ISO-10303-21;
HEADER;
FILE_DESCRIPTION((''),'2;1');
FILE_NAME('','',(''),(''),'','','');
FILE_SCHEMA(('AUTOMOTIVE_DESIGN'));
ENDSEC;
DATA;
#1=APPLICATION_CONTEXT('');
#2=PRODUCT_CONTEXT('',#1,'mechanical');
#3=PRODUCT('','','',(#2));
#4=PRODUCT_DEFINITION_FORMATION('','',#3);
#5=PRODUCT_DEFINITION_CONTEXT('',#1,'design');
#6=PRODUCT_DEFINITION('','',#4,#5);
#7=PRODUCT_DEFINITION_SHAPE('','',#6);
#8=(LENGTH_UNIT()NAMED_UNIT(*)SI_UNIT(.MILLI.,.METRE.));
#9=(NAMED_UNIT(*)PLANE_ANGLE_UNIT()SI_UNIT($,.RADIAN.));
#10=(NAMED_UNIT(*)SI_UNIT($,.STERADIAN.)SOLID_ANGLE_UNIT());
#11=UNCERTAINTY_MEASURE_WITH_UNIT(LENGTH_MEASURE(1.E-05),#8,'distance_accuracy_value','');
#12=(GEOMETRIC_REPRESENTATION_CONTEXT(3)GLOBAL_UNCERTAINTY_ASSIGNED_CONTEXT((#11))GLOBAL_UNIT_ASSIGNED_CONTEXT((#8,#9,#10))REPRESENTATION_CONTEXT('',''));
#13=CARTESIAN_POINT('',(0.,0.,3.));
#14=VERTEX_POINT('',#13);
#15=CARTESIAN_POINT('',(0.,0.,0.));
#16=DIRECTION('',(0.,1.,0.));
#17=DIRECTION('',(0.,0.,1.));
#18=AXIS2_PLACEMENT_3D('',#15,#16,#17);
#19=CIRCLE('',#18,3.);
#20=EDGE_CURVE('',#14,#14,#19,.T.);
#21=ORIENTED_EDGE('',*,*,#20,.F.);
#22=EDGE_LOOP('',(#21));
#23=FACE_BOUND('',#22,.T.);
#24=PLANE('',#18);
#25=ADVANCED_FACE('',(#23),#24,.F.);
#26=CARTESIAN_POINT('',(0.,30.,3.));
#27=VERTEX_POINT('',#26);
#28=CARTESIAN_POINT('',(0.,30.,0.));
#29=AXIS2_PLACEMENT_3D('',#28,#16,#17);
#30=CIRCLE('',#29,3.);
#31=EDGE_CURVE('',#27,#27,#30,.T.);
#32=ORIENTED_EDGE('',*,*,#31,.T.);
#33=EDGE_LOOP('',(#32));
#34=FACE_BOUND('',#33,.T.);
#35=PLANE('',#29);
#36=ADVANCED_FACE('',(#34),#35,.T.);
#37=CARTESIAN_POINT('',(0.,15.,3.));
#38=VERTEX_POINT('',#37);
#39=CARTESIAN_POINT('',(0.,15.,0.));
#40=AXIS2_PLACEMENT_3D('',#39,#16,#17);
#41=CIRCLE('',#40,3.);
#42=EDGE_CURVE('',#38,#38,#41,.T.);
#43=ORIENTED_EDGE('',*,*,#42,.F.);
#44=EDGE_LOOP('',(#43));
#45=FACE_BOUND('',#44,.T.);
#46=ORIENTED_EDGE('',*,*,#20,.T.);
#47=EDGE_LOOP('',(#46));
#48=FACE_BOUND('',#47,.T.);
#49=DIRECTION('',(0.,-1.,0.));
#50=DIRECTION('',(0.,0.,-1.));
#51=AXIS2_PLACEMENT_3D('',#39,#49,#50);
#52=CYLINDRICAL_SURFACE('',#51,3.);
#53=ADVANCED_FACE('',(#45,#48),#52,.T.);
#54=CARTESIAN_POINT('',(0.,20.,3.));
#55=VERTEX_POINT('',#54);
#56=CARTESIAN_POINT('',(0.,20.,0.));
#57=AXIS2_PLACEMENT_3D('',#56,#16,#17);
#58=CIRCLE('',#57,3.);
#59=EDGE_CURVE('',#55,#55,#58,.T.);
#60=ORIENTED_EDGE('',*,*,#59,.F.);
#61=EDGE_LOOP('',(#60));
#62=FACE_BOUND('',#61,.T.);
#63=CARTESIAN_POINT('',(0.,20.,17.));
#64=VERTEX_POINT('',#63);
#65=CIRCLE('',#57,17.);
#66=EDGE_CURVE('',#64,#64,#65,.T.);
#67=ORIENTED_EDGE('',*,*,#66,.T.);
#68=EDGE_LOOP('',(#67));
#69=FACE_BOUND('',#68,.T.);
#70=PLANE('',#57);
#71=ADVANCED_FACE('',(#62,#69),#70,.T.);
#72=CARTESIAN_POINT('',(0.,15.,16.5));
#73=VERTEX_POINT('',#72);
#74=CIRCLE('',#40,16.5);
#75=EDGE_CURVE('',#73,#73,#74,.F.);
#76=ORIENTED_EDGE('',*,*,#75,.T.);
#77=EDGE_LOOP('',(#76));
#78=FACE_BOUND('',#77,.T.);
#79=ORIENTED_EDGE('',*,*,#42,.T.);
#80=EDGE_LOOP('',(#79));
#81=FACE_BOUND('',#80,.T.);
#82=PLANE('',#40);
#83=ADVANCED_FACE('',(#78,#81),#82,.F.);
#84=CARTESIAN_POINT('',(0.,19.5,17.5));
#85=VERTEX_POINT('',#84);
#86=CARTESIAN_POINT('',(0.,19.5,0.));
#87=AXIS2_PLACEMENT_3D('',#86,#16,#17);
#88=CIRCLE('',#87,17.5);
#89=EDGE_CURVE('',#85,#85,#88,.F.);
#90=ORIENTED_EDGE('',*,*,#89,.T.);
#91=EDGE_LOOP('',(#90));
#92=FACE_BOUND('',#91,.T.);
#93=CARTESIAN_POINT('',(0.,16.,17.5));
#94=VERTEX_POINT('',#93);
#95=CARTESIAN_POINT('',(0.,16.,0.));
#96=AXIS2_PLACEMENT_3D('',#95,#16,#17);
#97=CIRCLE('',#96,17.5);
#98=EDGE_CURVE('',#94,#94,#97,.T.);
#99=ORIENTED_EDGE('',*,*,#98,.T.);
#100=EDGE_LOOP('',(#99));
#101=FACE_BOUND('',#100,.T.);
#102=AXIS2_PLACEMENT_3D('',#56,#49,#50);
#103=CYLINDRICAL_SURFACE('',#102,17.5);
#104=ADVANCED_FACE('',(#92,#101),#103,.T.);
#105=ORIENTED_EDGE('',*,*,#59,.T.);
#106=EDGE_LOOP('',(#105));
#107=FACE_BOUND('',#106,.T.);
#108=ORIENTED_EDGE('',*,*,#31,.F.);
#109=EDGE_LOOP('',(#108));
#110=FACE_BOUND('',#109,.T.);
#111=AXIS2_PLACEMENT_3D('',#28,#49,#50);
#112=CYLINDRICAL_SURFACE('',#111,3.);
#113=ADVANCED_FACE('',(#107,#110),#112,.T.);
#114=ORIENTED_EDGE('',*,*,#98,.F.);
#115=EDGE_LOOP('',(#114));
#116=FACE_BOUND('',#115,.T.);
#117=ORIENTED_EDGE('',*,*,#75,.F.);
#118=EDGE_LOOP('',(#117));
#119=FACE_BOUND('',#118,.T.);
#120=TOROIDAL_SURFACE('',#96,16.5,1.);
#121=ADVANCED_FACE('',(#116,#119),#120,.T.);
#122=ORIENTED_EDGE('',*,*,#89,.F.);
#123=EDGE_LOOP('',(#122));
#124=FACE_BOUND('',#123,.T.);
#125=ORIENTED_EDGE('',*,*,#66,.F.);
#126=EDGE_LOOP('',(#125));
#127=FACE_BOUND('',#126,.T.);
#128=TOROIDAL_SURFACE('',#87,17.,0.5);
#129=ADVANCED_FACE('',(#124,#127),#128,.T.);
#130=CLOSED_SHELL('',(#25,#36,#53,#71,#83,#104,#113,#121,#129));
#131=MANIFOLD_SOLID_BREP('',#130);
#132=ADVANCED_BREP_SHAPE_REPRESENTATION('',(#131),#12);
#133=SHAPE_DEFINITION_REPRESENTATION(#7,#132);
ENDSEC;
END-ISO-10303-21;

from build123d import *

# Parameters (mm, degrees)
SKETCH1_R           = 3
BOSS_EXTRUDE1_DEPTH = 15
SKETCH3_R           = 17.5
BOSS_EXTRUDE2_DEPTH = 5
SKETCH4_R           = 3
BOSS_EXTRUDE3_DEPTH = 10
FILLET4_R           = 1
FILLET5_R           = 0.5


with BuildPart() as part:
    # Sketch1 → Boss-Extrude1 (new body)
    with BuildSketch(Plane(origin=(0, 0, 0), x_dir=(1, 0, 0), z_dir=(0, 1, 0))):
        with Locations(Location((0, 0, 0), (0, 0, 270))):
            Circle(SKETCH1_R)
    extrude(amount=BOSS_EXTRUDE1_DEPTH)

    # Sketch3 → Boss-Extrude2 (add)
    with BuildSketch(Plane(origin=(0, 15, 0), x_dir=(1, 0, 0), z_dir=(0, 1, 0))):
        with Locations(Location((0, 0, 0), (0, 0, 270))):
            Circle(SKETCH3_R)
    extrude(amount=BOSS_EXTRUDE2_DEPTH)

    # Sketch4 → Boss-Extrude3 (add)
    with BuildSketch(Plane(origin=(0, 20, 0), x_dir=(1, 0, 0), z_dir=(0, 1, 0))):
        with Locations(Location((0, 0, 0), (0, 0, 270))):
            Circle(SKETCH4_R)
    extrude(amount=BOSS_EXTRUDE3_DEPTH)

    # Fillet4
    fillet4_edges = [part.edges().sort_by_distance(p)[0] for p in [
        (0, 15, -17.5),
    ]]
    fillet(fillet4_edges, radius=FILLET4_R)

    # Fillet5
    fillet5_edges = [part.edges().sort_by_distance(p)[0] for p in [
        (0, 20, -17.5),
    ]]
    fillet(fillet5_edges, radius=FILLET5_R)


solid = part.part
